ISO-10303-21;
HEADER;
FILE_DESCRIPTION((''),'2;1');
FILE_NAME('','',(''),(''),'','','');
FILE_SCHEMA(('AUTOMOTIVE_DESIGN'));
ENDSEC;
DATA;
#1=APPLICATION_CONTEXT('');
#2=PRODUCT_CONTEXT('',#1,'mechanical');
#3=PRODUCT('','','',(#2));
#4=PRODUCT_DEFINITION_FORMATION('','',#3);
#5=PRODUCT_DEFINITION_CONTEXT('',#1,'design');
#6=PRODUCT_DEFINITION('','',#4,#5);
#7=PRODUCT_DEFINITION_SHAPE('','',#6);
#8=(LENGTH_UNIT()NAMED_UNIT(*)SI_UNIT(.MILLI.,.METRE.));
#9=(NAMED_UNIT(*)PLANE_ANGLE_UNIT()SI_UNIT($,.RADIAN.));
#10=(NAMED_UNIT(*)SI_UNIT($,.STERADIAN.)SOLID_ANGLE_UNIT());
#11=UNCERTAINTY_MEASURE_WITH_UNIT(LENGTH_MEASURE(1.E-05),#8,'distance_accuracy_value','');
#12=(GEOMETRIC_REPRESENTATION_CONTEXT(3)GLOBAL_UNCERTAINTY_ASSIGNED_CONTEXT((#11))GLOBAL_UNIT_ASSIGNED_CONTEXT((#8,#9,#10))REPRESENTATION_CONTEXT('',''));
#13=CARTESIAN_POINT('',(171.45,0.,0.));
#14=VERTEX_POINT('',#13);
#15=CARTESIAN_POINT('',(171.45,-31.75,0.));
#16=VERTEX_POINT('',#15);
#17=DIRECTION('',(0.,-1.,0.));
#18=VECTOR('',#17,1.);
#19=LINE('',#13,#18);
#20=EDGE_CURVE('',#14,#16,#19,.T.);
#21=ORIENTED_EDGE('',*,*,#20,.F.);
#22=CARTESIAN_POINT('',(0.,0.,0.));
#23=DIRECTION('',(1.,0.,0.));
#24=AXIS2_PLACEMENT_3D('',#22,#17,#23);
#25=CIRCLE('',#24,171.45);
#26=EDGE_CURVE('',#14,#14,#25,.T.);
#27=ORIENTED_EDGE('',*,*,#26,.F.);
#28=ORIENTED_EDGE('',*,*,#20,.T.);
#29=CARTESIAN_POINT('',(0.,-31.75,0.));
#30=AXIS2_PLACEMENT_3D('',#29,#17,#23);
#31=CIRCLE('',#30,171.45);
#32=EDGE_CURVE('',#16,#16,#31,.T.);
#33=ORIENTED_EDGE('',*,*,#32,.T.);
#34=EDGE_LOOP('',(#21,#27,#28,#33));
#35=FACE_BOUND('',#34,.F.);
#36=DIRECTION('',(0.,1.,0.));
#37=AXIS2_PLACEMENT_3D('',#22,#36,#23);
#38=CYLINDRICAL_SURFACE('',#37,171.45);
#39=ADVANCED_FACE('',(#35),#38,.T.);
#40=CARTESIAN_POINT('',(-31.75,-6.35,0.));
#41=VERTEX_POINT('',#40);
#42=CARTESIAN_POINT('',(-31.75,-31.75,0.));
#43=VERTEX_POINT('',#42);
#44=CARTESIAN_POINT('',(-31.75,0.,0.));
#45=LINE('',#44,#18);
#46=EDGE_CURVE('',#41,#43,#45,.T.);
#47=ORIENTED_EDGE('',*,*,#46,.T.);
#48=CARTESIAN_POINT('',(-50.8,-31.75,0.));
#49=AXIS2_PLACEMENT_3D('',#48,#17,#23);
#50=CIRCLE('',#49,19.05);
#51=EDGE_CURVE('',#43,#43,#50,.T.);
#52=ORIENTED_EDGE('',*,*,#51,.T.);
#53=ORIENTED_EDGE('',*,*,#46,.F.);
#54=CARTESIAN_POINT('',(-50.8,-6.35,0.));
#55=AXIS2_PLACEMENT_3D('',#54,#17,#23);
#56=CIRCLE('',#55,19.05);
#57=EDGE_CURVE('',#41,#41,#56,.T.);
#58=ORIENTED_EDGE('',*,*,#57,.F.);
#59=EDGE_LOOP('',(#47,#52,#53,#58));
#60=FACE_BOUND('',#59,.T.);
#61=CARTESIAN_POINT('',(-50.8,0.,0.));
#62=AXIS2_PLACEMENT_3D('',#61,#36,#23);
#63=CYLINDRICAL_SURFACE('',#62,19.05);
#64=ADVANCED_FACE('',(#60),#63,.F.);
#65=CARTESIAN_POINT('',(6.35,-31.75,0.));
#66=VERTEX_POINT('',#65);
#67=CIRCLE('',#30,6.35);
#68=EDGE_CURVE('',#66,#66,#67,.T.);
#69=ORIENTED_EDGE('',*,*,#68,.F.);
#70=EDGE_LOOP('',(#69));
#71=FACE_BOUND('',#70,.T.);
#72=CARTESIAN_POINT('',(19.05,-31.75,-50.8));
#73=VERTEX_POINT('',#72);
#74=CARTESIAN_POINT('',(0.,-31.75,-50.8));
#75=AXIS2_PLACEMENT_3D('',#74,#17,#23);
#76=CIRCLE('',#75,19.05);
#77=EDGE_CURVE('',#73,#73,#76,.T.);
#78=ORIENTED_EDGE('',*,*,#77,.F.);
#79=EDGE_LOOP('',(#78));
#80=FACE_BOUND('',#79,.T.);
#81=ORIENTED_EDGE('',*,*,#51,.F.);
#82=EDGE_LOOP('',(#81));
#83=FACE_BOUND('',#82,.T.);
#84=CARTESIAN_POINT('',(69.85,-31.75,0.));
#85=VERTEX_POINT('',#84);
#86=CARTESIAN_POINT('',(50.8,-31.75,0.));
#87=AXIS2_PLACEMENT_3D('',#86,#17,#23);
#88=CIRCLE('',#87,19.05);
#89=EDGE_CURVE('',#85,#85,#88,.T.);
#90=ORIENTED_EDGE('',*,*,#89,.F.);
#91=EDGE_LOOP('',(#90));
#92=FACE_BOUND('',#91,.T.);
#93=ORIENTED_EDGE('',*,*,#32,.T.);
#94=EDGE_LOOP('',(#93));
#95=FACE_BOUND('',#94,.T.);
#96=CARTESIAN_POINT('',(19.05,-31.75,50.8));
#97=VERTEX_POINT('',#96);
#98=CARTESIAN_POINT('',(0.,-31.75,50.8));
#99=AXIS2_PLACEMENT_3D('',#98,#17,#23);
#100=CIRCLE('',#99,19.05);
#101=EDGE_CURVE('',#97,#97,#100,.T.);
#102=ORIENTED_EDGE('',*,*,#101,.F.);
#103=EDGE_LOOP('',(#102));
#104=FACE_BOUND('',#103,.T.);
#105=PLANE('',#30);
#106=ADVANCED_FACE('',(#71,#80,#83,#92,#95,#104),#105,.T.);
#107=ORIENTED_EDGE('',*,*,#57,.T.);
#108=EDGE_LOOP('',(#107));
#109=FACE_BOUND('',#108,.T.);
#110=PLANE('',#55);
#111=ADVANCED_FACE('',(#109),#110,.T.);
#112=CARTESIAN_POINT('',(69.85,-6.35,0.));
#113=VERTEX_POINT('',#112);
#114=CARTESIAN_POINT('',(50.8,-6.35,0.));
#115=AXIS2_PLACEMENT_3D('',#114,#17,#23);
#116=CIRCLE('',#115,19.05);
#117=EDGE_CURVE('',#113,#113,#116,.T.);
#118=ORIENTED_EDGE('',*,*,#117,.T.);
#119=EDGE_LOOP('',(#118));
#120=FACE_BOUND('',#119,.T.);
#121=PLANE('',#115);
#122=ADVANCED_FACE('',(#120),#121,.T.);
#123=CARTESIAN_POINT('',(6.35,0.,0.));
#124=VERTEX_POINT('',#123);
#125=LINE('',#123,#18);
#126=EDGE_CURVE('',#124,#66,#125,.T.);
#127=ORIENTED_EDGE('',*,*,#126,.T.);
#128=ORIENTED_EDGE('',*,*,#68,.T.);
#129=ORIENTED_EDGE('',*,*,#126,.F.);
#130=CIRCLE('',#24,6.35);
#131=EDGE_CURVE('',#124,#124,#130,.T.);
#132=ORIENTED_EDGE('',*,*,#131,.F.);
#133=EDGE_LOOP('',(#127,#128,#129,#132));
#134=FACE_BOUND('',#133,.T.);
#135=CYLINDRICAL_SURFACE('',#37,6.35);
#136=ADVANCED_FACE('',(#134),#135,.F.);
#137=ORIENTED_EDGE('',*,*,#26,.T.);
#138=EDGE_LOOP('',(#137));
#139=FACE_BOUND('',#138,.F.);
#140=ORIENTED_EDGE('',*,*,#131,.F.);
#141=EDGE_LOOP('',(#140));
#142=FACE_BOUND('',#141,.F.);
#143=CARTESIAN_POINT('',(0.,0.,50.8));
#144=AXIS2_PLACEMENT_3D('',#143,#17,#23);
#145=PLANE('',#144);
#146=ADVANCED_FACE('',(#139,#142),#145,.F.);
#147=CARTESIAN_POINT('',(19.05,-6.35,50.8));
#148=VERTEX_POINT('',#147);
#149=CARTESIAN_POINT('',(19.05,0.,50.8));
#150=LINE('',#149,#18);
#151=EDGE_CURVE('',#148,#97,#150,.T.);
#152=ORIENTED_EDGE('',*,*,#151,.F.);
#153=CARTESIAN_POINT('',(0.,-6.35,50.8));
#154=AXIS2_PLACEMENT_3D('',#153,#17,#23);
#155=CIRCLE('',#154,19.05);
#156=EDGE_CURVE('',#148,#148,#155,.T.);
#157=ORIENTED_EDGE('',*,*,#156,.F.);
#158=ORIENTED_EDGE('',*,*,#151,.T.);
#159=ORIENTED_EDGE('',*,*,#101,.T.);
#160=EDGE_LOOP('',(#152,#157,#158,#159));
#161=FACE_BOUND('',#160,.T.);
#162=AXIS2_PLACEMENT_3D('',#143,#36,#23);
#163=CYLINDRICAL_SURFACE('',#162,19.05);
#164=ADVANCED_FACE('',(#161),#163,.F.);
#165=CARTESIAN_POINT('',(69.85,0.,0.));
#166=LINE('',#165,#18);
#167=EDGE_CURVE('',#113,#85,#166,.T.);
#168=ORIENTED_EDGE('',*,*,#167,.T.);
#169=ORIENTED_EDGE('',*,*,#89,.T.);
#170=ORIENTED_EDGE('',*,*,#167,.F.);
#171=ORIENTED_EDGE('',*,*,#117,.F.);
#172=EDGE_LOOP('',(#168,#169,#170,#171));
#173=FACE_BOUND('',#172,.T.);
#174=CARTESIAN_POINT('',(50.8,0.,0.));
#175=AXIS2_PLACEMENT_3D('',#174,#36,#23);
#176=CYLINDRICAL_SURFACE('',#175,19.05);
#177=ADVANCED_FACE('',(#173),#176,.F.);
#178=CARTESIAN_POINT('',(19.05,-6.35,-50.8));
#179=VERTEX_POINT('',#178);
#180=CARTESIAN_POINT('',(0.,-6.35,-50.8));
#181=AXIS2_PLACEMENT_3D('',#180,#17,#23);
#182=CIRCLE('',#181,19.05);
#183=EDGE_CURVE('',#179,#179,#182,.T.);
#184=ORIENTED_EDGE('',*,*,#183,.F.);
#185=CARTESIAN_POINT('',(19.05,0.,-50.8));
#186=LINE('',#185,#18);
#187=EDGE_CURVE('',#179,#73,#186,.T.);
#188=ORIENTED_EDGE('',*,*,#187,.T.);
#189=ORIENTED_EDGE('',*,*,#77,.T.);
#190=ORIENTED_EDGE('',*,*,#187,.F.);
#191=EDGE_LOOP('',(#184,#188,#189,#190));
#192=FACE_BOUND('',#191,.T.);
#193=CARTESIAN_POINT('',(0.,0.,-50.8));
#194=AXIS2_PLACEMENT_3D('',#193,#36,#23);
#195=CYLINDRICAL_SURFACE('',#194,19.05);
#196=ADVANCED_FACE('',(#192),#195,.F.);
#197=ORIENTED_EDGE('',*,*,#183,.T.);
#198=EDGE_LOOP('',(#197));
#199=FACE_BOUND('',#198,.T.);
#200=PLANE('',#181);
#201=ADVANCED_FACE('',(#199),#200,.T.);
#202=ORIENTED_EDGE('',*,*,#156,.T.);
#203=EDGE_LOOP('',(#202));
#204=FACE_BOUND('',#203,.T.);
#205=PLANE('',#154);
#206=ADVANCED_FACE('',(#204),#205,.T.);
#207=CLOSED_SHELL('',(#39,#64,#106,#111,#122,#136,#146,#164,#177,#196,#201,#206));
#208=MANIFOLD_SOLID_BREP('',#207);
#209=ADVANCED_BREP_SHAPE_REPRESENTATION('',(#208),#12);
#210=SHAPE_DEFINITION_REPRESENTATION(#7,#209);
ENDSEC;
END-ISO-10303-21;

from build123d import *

# Parameters (mm, degrees)
F0_R     = 171.45
F0_R_2   = 19.05
F0_R_3   = 6.35
F1_DEPTH = 31.75
F2_DEPTH = 6.35


with BuildPart() as f1:
    # F0 (on Front) → F1 (new body)
    with BuildSketch(Plane.XZ):
        Circle(F0_R)
        with Locations((0, -50.8)):
            Circle(F0_R_2, mode=Mode.SUBTRACT)
        with Locations((-50.8, 0)):
            Circle(F0_R_2, mode=Mode.SUBTRACT)
        Circle(F0_R_3, mode=Mode.SUBTRACT)
        with Locations((50.8, 0)):
            Circle(F0_R_2, mode=Mode.SUBTRACT)
        with Locations((0, 50.8)):
            Circle(F0_R_2, mode=Mode.SUBTRACT)
    extrude(amount=F1_DEPTH)

    # F0 (on Front) → F2 (join)
    with BuildSketch(Plane.XZ):
        with Locations((0, 50.8)):
            Circle(F0_R_2)
        with Locations((50.8, 0)):
            Circle(F0_R_2)
        with Locations((-50.8, 0)):
            Circle(F0_R_2)
        with Locations((0, -50.8)):
            Circle(F0_R_2)
    extrude(amount=F2_DEPTH)


solid = f1.part
